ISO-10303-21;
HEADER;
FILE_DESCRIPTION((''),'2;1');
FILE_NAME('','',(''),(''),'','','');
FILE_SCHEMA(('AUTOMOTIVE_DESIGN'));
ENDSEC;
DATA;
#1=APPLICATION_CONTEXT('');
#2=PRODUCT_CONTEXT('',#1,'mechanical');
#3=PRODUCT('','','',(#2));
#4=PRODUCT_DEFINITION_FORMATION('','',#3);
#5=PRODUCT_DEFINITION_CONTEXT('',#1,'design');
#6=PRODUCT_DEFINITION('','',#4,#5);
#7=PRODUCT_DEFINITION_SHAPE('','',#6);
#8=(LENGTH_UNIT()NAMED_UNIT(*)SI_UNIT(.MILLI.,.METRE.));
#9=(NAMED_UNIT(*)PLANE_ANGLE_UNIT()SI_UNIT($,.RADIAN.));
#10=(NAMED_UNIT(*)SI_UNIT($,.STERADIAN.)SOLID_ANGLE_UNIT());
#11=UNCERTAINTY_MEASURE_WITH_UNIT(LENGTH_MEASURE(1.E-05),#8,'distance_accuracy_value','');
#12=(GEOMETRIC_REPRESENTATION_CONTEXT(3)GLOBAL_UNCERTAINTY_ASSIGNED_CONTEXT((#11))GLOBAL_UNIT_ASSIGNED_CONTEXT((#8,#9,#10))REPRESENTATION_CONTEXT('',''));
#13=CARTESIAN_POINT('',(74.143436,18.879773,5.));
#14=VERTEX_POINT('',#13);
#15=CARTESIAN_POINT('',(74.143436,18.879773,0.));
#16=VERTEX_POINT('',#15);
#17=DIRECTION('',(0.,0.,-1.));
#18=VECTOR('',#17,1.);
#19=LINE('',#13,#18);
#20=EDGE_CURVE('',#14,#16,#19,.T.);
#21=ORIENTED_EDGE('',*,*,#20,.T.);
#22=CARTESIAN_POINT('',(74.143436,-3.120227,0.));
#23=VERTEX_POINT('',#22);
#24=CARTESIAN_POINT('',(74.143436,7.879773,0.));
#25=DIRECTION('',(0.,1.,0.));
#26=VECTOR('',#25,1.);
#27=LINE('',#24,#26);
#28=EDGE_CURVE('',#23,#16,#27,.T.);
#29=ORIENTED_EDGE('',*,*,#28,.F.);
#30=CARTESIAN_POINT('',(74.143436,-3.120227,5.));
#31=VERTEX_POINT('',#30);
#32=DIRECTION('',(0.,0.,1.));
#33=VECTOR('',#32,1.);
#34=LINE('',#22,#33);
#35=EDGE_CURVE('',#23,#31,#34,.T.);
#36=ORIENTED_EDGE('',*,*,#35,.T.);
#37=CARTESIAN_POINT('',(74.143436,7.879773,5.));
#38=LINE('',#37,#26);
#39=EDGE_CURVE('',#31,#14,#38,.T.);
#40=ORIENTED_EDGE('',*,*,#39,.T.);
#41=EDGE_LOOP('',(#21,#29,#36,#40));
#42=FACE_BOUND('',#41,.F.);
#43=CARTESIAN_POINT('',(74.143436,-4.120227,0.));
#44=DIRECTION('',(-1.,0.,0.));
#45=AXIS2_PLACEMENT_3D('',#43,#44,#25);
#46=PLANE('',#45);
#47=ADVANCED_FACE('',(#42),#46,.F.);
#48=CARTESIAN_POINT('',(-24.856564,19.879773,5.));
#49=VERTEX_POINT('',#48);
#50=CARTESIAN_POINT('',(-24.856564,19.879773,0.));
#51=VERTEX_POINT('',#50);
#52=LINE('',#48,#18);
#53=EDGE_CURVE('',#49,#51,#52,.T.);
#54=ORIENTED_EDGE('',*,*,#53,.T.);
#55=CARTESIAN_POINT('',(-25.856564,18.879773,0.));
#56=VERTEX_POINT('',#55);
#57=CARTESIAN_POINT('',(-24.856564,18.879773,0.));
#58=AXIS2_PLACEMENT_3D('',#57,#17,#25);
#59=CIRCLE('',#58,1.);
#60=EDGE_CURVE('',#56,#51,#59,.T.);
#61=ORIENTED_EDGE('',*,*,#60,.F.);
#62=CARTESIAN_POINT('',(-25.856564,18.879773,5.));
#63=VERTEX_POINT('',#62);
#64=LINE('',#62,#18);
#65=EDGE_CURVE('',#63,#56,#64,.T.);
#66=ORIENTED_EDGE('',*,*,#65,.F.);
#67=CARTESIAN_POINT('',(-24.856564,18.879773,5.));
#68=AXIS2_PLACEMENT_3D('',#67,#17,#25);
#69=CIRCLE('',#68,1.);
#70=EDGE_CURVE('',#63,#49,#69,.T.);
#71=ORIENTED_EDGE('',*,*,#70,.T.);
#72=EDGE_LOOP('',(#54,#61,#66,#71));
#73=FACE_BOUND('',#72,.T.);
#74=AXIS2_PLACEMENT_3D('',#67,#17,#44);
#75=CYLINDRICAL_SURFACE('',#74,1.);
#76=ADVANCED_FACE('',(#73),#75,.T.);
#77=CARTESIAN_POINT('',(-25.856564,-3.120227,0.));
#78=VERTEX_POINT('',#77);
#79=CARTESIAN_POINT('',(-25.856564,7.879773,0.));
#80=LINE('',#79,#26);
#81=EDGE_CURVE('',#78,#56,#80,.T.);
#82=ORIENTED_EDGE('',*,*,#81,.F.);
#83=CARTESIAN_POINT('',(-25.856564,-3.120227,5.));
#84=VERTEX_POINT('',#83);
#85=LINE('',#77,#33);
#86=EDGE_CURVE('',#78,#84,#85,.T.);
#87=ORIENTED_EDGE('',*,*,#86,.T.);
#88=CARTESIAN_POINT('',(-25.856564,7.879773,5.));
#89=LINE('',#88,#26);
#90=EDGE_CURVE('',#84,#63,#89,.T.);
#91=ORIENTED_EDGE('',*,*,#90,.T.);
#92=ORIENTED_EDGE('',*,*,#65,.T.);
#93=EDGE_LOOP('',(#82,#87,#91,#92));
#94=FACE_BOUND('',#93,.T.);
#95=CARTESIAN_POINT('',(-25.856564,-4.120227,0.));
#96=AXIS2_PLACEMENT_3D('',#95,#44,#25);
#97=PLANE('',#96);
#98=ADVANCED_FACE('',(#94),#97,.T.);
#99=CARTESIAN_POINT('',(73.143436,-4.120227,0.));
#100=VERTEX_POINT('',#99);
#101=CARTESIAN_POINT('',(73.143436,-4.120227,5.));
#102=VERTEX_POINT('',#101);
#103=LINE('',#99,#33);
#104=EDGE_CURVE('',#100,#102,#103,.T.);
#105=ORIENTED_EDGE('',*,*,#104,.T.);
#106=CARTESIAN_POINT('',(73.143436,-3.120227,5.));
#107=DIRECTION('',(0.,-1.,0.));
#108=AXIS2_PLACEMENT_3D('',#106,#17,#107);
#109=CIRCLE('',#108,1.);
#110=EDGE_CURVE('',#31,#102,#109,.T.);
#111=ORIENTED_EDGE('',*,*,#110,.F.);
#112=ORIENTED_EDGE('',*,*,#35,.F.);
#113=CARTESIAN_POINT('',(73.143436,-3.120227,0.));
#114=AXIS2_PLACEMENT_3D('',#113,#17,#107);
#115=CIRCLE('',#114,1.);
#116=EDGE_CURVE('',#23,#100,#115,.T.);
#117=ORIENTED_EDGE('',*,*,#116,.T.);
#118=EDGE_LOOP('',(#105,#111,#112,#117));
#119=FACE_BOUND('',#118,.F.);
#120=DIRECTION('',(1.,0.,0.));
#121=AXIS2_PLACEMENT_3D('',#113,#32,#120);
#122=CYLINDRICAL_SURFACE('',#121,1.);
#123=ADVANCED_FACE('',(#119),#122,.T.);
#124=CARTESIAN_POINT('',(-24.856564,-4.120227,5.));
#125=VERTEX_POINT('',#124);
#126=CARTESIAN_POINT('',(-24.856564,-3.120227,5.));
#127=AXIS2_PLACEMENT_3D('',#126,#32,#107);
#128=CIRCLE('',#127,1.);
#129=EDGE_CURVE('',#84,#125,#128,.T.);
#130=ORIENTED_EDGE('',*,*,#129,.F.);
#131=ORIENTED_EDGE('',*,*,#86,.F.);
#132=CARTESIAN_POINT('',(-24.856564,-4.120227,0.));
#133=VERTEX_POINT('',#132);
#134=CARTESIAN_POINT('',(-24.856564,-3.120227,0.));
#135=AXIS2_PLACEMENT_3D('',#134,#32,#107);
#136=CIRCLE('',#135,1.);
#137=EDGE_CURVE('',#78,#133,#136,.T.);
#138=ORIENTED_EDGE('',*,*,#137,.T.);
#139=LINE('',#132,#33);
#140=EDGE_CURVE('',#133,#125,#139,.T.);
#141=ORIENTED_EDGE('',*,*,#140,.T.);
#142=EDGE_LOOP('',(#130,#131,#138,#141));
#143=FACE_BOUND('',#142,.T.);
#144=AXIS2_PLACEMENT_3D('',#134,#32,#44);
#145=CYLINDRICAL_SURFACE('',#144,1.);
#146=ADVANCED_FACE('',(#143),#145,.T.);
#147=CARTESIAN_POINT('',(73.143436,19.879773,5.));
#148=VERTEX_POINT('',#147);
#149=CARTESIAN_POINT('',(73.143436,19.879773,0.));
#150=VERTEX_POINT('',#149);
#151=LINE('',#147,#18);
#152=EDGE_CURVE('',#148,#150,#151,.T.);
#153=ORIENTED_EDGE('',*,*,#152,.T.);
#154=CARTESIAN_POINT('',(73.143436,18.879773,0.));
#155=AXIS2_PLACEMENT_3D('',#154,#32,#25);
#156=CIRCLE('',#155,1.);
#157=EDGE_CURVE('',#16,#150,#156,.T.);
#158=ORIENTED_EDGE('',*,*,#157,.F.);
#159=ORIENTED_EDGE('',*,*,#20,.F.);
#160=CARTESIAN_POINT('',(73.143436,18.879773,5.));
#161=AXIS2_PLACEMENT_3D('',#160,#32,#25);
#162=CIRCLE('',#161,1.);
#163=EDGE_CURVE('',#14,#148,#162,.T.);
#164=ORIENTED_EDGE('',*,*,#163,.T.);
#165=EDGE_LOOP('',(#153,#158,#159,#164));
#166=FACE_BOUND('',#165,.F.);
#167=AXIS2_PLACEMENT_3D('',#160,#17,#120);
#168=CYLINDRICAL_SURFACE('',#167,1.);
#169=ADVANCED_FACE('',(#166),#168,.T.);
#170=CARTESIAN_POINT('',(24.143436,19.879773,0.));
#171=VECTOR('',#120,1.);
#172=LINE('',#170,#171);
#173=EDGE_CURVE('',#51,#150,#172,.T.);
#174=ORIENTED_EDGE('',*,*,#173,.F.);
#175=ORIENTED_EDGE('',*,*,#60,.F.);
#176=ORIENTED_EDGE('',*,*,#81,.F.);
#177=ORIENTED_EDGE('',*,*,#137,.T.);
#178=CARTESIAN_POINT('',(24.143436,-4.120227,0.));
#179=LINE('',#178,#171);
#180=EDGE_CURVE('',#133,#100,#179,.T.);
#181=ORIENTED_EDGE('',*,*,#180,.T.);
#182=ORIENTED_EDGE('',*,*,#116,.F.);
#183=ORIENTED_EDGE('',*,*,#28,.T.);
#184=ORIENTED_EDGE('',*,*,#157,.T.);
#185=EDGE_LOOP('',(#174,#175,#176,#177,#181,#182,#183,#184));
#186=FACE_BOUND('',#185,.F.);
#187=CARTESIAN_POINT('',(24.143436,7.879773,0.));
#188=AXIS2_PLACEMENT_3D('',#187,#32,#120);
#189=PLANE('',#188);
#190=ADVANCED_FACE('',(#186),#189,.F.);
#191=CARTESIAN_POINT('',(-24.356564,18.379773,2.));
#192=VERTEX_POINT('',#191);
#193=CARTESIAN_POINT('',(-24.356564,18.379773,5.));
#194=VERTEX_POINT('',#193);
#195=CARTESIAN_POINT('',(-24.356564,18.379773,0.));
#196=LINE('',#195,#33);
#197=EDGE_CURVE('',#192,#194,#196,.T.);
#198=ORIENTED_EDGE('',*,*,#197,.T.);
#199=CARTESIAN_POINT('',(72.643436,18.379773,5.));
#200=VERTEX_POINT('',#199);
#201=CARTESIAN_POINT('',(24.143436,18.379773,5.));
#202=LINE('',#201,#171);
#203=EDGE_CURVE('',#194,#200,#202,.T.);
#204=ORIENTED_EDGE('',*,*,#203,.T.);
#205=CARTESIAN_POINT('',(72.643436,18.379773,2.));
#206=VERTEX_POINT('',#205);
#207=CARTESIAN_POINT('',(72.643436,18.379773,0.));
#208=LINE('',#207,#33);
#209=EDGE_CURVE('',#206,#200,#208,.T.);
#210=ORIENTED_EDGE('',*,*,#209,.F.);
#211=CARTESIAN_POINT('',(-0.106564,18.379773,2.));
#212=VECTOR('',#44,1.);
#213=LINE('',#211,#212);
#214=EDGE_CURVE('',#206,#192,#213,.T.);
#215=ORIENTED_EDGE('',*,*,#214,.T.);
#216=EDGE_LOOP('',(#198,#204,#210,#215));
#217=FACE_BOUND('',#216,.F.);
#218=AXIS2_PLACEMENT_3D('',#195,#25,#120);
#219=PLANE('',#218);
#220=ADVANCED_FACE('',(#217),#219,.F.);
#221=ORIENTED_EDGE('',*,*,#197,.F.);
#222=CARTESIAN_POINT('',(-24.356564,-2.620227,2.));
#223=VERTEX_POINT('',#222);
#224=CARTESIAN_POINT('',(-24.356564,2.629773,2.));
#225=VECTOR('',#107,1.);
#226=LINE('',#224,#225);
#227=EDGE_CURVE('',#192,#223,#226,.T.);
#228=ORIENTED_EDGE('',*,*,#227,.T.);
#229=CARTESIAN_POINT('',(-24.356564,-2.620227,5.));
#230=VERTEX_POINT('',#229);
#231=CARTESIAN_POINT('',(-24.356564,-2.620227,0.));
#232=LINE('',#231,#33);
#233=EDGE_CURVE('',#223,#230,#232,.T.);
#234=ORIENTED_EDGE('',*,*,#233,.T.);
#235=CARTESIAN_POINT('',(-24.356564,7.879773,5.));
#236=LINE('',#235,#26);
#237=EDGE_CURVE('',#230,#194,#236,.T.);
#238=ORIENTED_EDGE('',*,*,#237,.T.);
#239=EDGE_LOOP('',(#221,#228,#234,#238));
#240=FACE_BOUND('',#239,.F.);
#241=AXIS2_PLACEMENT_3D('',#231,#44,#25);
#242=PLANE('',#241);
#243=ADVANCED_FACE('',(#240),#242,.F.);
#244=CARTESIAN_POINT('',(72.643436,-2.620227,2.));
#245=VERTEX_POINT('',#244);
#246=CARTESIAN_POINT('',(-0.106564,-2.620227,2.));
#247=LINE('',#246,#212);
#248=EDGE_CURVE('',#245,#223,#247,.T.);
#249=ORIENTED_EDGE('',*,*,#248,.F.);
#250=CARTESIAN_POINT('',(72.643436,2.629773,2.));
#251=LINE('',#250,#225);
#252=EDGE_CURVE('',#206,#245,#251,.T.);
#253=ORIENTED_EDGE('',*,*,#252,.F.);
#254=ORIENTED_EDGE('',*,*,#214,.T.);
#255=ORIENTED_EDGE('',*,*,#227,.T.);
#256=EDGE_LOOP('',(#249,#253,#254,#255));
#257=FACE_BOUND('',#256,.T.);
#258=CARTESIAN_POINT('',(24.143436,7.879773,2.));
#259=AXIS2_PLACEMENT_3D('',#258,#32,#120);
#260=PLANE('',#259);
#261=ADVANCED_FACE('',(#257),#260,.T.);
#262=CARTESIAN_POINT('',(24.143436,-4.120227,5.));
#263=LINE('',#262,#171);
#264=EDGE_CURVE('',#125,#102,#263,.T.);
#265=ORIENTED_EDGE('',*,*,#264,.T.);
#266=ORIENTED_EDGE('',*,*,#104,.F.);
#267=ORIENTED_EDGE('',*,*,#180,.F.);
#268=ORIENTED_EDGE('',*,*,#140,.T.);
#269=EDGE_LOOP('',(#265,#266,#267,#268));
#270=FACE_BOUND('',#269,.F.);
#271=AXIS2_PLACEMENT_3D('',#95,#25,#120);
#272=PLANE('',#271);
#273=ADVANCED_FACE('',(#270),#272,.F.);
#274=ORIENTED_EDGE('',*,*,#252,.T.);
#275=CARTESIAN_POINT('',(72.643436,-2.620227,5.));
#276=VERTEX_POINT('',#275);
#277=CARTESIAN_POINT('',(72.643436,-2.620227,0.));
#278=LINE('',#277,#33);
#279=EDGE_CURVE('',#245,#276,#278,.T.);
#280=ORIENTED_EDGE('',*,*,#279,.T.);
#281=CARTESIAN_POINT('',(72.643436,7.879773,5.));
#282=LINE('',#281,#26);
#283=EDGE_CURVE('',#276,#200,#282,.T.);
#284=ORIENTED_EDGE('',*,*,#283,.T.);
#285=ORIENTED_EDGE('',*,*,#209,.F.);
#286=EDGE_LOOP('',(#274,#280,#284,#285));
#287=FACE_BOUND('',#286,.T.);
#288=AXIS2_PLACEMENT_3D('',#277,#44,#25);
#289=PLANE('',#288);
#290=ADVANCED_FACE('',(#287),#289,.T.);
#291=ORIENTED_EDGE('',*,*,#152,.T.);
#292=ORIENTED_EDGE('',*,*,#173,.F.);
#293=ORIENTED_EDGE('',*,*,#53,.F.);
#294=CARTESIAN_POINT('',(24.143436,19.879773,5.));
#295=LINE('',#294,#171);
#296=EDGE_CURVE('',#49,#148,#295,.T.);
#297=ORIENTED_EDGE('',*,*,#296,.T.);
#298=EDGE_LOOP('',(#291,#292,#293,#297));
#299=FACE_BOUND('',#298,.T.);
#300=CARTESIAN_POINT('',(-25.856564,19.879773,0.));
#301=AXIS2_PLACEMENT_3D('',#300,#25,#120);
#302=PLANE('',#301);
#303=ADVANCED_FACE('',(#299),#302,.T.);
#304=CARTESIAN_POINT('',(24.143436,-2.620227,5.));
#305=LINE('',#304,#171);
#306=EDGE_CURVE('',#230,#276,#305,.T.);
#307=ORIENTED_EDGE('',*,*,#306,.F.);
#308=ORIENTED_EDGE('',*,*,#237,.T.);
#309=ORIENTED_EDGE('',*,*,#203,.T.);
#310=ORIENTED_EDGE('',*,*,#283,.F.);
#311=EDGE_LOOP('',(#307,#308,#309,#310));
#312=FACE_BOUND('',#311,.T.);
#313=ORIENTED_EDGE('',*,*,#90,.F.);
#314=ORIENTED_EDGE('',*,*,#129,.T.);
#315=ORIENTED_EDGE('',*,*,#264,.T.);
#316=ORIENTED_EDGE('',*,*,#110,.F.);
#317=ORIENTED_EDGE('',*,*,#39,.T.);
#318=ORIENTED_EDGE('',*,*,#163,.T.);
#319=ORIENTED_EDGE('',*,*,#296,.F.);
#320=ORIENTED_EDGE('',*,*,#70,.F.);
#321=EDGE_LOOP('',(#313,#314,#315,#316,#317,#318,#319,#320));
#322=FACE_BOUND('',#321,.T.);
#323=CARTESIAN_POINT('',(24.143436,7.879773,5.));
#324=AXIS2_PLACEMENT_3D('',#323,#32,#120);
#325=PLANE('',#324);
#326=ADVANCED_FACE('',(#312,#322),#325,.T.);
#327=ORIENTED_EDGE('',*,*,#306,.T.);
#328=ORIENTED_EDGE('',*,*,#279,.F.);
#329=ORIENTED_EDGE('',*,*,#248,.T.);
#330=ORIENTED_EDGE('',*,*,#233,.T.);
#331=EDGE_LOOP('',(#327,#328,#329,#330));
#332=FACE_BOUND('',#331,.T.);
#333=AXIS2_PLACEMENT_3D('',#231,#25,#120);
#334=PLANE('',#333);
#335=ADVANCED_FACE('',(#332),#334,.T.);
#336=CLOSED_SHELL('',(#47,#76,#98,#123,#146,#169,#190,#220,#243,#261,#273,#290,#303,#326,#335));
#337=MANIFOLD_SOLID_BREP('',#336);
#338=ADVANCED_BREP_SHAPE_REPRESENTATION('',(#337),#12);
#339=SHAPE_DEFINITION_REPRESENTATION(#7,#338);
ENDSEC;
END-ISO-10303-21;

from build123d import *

# Parameters (mm, degrees)
F0_W     = 100
F0_H     = 24
F0_W_2   = 97
F0_H_2   = 21
F1_DEPTH = 2
F2_DEPTH = 5
F3_R     = 1


with BuildPart() as f1:
    # F0 (on Top) → F1 (new body)
    with BuildSketch(Plane.XY):
        with Locations((24.1434355296, 7.8797731549)):
            Rectangle(F0_W, F0_H)
        with Locations((24.1434355296, 7.8797731549)):
            Rectangle(F0_W_2, F0_H_2, mode=Mode.SUBTRACT)
        with Locations((24.1434355296, 7.8797731549)):
            Rectangle(F0_W_2, F0_H_2)
    extrude(amount=F1_DEPTH)

    # F0 (on Top) → F2 (join)
    with BuildSketch(Plane.XY):
        with Locations((24.1434355296, 7.8797731549)):
            Rectangle(F0_W, F0_H)
        with Locations((24.1434355296, 7.8797731549)):
            Rectangle(F0_W_2, F0_H_2, mode=Mode.SUBTRACT)
    extrude(amount=F2_DEPTH)

    # F3
    f3_edges = [f1.edges().sort_by_distance(p)[0] for p in [
        (74.143436, 19.879773, 2.5),
        (74.143436, -4.120227, 2.5),
        (-25.856564, -4.120227, 2.5),
        (-25.856564, 19.879773, 2.5),
    ]]
    fillet(f3_edges, radius=F3_R)


solid = f1.part
